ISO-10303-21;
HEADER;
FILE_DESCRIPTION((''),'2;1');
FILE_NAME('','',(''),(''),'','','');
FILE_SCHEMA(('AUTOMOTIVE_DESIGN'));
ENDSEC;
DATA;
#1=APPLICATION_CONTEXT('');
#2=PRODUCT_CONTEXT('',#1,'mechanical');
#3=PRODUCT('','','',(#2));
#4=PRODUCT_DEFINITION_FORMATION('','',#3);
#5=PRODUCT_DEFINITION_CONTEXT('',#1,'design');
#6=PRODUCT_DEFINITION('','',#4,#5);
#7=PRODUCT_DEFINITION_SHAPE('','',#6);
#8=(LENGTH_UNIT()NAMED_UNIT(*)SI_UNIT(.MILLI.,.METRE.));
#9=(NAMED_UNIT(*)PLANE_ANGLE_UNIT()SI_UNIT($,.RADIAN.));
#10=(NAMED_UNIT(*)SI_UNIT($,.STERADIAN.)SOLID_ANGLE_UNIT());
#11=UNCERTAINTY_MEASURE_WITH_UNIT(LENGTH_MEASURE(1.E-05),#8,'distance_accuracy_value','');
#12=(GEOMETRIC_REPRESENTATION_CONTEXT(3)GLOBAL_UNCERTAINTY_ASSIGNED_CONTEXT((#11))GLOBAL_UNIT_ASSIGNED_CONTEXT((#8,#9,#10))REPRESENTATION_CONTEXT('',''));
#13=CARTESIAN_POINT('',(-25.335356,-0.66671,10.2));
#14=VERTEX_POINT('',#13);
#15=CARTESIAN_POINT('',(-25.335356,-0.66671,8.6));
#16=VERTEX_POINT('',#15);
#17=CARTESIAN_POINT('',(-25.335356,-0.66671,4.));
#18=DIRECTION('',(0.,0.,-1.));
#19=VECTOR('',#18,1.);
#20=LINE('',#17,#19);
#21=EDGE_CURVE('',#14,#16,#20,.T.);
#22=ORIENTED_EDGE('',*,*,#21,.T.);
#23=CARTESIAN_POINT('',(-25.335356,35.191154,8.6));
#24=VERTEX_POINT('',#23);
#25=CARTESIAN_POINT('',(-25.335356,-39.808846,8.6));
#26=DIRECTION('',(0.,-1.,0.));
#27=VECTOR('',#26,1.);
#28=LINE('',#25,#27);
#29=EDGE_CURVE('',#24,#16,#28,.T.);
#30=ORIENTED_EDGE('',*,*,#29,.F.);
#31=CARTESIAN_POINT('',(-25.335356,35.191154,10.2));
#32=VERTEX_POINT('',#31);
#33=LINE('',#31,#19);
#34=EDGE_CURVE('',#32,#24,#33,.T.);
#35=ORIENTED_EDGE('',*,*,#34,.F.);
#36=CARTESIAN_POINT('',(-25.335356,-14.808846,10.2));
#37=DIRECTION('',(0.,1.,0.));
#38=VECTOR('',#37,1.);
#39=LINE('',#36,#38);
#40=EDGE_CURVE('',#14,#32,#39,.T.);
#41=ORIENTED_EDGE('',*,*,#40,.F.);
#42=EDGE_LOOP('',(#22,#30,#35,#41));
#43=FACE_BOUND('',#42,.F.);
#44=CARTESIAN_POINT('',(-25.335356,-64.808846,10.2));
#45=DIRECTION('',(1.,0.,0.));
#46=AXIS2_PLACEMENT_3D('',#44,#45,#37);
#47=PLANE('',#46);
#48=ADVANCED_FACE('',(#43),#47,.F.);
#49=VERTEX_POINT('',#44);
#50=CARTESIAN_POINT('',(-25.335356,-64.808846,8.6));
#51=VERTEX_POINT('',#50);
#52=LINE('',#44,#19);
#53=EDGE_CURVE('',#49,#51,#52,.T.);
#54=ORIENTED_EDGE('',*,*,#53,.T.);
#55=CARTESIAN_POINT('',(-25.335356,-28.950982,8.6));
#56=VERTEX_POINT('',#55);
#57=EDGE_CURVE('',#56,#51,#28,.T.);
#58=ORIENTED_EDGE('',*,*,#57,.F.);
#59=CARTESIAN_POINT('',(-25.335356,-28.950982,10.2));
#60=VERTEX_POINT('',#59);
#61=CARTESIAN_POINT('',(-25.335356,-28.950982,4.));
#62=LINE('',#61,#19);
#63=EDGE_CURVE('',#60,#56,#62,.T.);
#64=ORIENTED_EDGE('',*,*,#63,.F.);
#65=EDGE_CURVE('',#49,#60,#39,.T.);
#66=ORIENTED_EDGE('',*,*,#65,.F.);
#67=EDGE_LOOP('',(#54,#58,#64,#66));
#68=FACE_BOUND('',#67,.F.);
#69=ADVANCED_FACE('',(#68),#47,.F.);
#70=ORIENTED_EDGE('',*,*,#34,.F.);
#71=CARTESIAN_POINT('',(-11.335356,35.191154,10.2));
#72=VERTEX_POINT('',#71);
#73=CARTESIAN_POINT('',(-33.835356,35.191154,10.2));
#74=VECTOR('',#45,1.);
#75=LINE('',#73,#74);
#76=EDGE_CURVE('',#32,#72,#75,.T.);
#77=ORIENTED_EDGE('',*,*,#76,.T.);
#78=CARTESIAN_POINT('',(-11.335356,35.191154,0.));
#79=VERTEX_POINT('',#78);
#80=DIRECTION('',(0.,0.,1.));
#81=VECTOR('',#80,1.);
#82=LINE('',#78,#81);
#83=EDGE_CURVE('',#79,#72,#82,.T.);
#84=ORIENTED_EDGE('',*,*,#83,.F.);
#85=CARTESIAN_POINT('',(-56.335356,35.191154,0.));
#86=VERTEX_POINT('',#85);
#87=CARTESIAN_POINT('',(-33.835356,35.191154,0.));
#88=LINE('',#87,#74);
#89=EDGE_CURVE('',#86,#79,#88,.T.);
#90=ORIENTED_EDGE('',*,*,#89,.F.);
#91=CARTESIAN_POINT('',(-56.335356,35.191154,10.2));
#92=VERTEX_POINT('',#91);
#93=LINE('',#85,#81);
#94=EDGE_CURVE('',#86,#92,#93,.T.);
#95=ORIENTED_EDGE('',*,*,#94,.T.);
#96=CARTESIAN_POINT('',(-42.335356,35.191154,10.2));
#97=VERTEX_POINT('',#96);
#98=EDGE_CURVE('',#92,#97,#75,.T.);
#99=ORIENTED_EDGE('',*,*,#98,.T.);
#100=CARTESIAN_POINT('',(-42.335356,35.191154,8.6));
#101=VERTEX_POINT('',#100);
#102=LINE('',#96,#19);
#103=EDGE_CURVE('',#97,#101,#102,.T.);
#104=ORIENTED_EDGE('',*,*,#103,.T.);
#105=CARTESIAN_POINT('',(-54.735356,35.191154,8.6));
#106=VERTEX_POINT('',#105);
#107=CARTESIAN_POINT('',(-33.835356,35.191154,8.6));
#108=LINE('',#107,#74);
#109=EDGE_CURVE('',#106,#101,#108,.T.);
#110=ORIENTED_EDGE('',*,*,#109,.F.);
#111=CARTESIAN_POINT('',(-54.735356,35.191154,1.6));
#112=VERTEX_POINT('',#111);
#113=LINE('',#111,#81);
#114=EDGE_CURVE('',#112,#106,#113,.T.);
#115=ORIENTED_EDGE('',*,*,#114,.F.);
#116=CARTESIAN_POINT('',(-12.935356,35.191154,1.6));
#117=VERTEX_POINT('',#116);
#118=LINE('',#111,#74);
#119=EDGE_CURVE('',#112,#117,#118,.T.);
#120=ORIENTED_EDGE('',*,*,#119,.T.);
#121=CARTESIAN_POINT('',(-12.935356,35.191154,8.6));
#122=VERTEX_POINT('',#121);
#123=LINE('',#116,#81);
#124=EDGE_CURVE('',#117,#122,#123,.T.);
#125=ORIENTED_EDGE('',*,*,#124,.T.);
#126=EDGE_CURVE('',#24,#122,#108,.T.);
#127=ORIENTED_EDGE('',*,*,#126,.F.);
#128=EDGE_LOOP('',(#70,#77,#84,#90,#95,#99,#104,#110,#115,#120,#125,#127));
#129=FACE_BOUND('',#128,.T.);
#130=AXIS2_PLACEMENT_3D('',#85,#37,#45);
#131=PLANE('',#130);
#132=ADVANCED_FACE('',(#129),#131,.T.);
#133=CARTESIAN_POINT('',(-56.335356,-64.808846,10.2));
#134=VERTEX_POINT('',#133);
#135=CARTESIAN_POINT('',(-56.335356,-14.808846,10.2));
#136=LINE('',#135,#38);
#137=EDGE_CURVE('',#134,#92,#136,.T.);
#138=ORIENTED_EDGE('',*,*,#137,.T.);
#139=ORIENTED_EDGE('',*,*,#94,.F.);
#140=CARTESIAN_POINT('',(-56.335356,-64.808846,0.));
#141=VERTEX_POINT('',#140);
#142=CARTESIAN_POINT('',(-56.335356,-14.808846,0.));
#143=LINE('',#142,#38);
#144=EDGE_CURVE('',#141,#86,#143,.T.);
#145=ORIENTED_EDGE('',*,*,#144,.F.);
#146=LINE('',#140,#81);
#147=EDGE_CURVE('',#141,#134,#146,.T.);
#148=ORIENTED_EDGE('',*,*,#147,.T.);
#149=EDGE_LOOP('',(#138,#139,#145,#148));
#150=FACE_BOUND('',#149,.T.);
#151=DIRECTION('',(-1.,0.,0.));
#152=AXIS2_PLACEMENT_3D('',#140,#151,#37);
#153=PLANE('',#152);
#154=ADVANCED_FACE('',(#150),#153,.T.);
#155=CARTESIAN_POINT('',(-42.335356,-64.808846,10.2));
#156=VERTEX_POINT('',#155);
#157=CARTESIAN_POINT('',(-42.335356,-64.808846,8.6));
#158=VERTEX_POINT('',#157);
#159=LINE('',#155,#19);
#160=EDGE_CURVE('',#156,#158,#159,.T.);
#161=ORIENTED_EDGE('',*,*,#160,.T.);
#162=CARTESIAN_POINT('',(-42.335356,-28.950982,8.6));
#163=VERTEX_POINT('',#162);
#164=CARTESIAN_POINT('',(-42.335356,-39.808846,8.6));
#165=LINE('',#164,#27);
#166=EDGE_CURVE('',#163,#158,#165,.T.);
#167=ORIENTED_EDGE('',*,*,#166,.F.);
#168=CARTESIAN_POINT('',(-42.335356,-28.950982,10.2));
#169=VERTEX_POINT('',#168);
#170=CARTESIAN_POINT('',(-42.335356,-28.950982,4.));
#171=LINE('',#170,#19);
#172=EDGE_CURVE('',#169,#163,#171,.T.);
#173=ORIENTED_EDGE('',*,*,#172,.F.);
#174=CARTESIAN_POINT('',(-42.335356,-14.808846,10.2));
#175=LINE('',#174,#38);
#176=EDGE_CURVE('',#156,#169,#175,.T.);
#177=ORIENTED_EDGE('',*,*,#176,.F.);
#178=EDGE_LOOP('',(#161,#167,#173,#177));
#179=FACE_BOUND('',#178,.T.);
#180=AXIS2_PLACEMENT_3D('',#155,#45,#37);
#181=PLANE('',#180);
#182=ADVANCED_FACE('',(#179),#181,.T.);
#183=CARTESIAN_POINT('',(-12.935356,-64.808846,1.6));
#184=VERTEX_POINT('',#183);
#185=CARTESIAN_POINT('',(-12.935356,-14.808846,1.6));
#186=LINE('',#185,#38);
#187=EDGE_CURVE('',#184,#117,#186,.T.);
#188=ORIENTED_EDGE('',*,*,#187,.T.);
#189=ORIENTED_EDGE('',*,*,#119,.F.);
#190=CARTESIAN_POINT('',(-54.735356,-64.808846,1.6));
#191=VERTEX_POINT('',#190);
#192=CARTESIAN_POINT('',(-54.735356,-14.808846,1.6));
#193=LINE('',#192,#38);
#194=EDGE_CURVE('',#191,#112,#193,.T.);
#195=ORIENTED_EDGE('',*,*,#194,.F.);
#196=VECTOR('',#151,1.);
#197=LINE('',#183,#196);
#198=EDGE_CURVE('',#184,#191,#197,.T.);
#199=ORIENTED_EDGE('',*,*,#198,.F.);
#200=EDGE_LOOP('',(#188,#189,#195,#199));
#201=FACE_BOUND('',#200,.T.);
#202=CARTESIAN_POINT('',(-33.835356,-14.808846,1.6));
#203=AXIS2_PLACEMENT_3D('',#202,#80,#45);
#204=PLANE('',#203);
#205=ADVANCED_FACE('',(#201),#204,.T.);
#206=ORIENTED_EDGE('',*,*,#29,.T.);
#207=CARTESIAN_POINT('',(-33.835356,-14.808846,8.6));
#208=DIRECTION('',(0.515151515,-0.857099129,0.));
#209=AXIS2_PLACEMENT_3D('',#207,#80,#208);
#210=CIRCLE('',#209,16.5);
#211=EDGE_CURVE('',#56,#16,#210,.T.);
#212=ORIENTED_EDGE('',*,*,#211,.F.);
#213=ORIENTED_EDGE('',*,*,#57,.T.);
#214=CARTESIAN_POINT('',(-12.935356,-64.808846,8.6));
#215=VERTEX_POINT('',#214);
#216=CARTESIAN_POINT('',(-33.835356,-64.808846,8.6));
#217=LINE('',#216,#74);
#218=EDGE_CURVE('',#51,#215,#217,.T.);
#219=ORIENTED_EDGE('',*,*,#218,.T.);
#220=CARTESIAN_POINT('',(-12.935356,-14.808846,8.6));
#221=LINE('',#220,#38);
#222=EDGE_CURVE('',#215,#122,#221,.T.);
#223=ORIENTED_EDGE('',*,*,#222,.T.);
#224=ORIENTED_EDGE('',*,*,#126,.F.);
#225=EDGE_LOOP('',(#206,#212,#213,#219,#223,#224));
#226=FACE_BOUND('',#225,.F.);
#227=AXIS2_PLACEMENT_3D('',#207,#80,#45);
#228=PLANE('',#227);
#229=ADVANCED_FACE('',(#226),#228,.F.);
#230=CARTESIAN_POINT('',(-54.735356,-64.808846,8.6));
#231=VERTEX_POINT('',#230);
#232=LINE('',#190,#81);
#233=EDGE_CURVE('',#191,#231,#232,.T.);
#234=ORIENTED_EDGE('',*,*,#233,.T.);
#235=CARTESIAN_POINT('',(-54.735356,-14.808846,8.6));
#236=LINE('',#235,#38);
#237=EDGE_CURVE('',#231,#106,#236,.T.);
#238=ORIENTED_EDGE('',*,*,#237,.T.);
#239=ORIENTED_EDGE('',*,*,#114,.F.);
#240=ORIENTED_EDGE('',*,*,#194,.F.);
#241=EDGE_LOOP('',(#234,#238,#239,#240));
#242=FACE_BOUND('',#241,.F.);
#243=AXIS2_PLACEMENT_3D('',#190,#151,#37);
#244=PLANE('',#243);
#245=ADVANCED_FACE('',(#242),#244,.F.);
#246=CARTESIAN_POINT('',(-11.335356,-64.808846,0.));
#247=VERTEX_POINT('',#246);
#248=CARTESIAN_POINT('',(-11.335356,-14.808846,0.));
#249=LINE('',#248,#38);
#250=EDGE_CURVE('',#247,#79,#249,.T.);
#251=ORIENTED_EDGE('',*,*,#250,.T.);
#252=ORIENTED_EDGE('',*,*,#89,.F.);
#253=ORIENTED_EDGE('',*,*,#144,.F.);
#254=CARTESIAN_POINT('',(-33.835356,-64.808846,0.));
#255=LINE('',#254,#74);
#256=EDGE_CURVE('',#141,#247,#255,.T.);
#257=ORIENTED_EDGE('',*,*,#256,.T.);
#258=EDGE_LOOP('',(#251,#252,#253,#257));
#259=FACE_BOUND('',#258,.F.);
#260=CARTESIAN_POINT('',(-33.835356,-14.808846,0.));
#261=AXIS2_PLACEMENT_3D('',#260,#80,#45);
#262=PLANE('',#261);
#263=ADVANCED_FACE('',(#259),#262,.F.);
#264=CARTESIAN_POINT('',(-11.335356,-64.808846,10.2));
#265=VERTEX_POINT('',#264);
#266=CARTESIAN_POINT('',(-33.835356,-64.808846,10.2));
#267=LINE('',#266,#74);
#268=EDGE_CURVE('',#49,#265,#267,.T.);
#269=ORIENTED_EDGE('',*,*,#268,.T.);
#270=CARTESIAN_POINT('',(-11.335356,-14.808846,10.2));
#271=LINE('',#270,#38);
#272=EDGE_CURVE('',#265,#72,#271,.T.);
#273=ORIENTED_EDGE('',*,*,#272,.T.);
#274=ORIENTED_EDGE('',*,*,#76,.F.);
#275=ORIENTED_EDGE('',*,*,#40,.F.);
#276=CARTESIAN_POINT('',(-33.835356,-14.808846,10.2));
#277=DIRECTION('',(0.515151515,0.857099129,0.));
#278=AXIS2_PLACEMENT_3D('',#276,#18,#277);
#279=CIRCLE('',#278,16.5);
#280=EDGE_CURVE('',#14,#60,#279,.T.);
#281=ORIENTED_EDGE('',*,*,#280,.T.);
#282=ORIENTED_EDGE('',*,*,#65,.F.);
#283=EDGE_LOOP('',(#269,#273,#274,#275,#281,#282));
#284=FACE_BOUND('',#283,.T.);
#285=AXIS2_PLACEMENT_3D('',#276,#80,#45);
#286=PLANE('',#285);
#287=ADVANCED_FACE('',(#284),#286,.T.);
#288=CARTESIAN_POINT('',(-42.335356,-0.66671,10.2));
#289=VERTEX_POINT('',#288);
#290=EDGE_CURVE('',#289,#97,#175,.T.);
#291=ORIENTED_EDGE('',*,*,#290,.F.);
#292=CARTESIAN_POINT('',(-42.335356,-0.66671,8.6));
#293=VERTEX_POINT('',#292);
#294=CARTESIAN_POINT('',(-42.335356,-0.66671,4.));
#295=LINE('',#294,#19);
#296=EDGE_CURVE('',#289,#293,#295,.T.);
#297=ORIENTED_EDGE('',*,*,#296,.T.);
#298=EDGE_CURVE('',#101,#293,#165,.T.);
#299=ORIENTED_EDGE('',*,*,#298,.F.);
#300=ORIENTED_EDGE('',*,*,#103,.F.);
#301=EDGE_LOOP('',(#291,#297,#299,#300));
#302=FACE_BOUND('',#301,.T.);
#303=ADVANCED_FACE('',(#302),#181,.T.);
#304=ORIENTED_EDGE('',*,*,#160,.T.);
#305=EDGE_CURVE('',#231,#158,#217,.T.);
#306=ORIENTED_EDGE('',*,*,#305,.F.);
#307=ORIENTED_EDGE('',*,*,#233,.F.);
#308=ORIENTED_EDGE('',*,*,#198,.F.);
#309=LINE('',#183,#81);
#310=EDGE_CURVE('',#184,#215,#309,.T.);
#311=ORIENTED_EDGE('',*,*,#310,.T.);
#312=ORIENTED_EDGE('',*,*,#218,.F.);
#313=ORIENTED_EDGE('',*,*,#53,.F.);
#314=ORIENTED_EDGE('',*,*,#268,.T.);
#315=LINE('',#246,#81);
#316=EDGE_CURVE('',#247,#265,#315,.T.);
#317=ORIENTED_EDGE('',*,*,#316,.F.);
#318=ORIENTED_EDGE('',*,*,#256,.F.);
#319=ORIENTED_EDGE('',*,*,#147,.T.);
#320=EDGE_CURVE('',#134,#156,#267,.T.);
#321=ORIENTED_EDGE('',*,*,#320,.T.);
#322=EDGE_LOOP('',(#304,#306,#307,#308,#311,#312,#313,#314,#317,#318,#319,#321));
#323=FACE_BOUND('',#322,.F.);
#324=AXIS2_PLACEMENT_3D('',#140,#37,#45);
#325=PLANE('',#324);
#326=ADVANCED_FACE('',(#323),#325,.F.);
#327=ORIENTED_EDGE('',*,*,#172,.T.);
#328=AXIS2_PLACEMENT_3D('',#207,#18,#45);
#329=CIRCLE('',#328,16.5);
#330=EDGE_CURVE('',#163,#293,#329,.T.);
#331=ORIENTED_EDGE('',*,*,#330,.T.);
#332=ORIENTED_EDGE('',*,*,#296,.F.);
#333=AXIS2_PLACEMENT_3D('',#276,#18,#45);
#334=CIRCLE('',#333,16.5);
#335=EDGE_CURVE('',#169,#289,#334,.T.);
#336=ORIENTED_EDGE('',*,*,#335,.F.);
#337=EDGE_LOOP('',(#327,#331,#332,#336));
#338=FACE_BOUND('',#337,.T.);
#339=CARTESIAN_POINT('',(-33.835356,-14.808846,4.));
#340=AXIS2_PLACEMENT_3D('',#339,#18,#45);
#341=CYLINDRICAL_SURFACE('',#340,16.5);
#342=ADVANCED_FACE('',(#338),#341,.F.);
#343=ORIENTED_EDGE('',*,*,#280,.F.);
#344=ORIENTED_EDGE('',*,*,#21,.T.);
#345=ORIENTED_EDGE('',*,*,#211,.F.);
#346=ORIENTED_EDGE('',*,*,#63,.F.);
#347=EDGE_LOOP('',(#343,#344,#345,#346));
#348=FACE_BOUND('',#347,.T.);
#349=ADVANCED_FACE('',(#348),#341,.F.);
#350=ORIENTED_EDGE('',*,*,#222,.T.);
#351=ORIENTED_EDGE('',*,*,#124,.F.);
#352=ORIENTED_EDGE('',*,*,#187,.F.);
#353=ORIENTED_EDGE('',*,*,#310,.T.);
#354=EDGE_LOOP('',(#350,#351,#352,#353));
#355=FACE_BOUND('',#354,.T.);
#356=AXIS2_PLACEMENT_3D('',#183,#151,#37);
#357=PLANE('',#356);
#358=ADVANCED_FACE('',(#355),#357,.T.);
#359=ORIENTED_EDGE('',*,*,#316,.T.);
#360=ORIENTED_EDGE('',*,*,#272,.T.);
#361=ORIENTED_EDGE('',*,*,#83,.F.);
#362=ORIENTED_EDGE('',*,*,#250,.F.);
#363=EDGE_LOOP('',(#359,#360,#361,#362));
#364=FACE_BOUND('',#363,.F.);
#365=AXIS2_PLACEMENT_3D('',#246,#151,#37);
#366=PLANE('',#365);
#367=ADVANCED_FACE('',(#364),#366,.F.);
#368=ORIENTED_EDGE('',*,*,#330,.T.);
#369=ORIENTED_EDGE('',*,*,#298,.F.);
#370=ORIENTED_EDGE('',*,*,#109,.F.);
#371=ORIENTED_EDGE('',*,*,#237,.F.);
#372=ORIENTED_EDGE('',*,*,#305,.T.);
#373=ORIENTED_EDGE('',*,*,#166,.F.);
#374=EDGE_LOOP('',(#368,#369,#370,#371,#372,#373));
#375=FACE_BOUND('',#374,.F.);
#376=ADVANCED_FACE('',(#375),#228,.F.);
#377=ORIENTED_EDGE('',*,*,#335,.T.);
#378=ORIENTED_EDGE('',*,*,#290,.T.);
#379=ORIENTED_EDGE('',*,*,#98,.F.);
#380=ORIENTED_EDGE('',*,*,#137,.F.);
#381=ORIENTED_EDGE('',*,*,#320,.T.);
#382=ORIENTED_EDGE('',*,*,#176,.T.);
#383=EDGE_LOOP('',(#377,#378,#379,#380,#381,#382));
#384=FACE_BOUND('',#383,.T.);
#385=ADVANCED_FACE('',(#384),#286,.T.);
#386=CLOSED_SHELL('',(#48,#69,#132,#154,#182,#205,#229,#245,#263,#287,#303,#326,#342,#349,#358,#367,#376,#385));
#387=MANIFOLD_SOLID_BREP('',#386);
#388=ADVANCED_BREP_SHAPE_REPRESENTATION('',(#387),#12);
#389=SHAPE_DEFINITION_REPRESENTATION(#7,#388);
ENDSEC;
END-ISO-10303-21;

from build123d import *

# Parameters (mm, degrees)
F0_W     = 45
F0_H     = 100
F1_DEPTH = 10.2
F2_W     = 17
F2_H     = 100
F3_DEPTH = 8.6
F4_W     = 41.8
F4_H     = 100
F5_DEPTH = 7
F8_R     = 16.5
F9_DEPTH = 10


with BuildPart() as f1:
    # F0 (on Top) → F1 (new body)
    with BuildSketch(Plane.XY):
        with Locations((-33.835356, -14.808846)):
            Rectangle(F0_W, F0_H)
    extrude(amount=F1_DEPTH)

    # F2 (on face) → F3 (cut)
    with BuildSketch(Plane.XY.offset(10.2)):
        with Locations((-33.835356, -14.808846)):
            Rectangle(F2_W, F2_H)
    extrude(amount=-F3_DEPTH, mode=Mode.SUBTRACT)


with BuildPart() as f5:
    # F4 (on Top) → F5 (new body)
    with BuildSketch(Plane.XY):
        with Locations((-35.435356, -14.808846)):
            Rectangle(F4_W, F4_H)
    extrude(amount=F5_DEPTH)


with BuildPart() as f5_1:
    # F6: moved
    add(f5.part.moved(Location((1.6, 0, 1.6))))


with BuildPart() as f1_1:
    add(f1.part)

    # F7: cut F5
    add(f5_1.part, mode=Mode.SUBTRACT)


with BuildPart() as f9:
    # F8 (on Top) → F9 (new body)
    with BuildSketch(Plane.XY):
        with Locations((-33.835356, -64.808846)):
            Circle(F8_R)
    extrude(amount=F9_DEPTH)


with BuildPart() as f9_1:
    # F10: moved
    add(f9.part.moved(Location((0, 50, 4))))


with BuildPart() as f1_2:
    add(f1_1.part)

    # F11: cut F9
    add(f9_1.part, mode=Mode.SUBTRACT)


solid = f1_2.part
